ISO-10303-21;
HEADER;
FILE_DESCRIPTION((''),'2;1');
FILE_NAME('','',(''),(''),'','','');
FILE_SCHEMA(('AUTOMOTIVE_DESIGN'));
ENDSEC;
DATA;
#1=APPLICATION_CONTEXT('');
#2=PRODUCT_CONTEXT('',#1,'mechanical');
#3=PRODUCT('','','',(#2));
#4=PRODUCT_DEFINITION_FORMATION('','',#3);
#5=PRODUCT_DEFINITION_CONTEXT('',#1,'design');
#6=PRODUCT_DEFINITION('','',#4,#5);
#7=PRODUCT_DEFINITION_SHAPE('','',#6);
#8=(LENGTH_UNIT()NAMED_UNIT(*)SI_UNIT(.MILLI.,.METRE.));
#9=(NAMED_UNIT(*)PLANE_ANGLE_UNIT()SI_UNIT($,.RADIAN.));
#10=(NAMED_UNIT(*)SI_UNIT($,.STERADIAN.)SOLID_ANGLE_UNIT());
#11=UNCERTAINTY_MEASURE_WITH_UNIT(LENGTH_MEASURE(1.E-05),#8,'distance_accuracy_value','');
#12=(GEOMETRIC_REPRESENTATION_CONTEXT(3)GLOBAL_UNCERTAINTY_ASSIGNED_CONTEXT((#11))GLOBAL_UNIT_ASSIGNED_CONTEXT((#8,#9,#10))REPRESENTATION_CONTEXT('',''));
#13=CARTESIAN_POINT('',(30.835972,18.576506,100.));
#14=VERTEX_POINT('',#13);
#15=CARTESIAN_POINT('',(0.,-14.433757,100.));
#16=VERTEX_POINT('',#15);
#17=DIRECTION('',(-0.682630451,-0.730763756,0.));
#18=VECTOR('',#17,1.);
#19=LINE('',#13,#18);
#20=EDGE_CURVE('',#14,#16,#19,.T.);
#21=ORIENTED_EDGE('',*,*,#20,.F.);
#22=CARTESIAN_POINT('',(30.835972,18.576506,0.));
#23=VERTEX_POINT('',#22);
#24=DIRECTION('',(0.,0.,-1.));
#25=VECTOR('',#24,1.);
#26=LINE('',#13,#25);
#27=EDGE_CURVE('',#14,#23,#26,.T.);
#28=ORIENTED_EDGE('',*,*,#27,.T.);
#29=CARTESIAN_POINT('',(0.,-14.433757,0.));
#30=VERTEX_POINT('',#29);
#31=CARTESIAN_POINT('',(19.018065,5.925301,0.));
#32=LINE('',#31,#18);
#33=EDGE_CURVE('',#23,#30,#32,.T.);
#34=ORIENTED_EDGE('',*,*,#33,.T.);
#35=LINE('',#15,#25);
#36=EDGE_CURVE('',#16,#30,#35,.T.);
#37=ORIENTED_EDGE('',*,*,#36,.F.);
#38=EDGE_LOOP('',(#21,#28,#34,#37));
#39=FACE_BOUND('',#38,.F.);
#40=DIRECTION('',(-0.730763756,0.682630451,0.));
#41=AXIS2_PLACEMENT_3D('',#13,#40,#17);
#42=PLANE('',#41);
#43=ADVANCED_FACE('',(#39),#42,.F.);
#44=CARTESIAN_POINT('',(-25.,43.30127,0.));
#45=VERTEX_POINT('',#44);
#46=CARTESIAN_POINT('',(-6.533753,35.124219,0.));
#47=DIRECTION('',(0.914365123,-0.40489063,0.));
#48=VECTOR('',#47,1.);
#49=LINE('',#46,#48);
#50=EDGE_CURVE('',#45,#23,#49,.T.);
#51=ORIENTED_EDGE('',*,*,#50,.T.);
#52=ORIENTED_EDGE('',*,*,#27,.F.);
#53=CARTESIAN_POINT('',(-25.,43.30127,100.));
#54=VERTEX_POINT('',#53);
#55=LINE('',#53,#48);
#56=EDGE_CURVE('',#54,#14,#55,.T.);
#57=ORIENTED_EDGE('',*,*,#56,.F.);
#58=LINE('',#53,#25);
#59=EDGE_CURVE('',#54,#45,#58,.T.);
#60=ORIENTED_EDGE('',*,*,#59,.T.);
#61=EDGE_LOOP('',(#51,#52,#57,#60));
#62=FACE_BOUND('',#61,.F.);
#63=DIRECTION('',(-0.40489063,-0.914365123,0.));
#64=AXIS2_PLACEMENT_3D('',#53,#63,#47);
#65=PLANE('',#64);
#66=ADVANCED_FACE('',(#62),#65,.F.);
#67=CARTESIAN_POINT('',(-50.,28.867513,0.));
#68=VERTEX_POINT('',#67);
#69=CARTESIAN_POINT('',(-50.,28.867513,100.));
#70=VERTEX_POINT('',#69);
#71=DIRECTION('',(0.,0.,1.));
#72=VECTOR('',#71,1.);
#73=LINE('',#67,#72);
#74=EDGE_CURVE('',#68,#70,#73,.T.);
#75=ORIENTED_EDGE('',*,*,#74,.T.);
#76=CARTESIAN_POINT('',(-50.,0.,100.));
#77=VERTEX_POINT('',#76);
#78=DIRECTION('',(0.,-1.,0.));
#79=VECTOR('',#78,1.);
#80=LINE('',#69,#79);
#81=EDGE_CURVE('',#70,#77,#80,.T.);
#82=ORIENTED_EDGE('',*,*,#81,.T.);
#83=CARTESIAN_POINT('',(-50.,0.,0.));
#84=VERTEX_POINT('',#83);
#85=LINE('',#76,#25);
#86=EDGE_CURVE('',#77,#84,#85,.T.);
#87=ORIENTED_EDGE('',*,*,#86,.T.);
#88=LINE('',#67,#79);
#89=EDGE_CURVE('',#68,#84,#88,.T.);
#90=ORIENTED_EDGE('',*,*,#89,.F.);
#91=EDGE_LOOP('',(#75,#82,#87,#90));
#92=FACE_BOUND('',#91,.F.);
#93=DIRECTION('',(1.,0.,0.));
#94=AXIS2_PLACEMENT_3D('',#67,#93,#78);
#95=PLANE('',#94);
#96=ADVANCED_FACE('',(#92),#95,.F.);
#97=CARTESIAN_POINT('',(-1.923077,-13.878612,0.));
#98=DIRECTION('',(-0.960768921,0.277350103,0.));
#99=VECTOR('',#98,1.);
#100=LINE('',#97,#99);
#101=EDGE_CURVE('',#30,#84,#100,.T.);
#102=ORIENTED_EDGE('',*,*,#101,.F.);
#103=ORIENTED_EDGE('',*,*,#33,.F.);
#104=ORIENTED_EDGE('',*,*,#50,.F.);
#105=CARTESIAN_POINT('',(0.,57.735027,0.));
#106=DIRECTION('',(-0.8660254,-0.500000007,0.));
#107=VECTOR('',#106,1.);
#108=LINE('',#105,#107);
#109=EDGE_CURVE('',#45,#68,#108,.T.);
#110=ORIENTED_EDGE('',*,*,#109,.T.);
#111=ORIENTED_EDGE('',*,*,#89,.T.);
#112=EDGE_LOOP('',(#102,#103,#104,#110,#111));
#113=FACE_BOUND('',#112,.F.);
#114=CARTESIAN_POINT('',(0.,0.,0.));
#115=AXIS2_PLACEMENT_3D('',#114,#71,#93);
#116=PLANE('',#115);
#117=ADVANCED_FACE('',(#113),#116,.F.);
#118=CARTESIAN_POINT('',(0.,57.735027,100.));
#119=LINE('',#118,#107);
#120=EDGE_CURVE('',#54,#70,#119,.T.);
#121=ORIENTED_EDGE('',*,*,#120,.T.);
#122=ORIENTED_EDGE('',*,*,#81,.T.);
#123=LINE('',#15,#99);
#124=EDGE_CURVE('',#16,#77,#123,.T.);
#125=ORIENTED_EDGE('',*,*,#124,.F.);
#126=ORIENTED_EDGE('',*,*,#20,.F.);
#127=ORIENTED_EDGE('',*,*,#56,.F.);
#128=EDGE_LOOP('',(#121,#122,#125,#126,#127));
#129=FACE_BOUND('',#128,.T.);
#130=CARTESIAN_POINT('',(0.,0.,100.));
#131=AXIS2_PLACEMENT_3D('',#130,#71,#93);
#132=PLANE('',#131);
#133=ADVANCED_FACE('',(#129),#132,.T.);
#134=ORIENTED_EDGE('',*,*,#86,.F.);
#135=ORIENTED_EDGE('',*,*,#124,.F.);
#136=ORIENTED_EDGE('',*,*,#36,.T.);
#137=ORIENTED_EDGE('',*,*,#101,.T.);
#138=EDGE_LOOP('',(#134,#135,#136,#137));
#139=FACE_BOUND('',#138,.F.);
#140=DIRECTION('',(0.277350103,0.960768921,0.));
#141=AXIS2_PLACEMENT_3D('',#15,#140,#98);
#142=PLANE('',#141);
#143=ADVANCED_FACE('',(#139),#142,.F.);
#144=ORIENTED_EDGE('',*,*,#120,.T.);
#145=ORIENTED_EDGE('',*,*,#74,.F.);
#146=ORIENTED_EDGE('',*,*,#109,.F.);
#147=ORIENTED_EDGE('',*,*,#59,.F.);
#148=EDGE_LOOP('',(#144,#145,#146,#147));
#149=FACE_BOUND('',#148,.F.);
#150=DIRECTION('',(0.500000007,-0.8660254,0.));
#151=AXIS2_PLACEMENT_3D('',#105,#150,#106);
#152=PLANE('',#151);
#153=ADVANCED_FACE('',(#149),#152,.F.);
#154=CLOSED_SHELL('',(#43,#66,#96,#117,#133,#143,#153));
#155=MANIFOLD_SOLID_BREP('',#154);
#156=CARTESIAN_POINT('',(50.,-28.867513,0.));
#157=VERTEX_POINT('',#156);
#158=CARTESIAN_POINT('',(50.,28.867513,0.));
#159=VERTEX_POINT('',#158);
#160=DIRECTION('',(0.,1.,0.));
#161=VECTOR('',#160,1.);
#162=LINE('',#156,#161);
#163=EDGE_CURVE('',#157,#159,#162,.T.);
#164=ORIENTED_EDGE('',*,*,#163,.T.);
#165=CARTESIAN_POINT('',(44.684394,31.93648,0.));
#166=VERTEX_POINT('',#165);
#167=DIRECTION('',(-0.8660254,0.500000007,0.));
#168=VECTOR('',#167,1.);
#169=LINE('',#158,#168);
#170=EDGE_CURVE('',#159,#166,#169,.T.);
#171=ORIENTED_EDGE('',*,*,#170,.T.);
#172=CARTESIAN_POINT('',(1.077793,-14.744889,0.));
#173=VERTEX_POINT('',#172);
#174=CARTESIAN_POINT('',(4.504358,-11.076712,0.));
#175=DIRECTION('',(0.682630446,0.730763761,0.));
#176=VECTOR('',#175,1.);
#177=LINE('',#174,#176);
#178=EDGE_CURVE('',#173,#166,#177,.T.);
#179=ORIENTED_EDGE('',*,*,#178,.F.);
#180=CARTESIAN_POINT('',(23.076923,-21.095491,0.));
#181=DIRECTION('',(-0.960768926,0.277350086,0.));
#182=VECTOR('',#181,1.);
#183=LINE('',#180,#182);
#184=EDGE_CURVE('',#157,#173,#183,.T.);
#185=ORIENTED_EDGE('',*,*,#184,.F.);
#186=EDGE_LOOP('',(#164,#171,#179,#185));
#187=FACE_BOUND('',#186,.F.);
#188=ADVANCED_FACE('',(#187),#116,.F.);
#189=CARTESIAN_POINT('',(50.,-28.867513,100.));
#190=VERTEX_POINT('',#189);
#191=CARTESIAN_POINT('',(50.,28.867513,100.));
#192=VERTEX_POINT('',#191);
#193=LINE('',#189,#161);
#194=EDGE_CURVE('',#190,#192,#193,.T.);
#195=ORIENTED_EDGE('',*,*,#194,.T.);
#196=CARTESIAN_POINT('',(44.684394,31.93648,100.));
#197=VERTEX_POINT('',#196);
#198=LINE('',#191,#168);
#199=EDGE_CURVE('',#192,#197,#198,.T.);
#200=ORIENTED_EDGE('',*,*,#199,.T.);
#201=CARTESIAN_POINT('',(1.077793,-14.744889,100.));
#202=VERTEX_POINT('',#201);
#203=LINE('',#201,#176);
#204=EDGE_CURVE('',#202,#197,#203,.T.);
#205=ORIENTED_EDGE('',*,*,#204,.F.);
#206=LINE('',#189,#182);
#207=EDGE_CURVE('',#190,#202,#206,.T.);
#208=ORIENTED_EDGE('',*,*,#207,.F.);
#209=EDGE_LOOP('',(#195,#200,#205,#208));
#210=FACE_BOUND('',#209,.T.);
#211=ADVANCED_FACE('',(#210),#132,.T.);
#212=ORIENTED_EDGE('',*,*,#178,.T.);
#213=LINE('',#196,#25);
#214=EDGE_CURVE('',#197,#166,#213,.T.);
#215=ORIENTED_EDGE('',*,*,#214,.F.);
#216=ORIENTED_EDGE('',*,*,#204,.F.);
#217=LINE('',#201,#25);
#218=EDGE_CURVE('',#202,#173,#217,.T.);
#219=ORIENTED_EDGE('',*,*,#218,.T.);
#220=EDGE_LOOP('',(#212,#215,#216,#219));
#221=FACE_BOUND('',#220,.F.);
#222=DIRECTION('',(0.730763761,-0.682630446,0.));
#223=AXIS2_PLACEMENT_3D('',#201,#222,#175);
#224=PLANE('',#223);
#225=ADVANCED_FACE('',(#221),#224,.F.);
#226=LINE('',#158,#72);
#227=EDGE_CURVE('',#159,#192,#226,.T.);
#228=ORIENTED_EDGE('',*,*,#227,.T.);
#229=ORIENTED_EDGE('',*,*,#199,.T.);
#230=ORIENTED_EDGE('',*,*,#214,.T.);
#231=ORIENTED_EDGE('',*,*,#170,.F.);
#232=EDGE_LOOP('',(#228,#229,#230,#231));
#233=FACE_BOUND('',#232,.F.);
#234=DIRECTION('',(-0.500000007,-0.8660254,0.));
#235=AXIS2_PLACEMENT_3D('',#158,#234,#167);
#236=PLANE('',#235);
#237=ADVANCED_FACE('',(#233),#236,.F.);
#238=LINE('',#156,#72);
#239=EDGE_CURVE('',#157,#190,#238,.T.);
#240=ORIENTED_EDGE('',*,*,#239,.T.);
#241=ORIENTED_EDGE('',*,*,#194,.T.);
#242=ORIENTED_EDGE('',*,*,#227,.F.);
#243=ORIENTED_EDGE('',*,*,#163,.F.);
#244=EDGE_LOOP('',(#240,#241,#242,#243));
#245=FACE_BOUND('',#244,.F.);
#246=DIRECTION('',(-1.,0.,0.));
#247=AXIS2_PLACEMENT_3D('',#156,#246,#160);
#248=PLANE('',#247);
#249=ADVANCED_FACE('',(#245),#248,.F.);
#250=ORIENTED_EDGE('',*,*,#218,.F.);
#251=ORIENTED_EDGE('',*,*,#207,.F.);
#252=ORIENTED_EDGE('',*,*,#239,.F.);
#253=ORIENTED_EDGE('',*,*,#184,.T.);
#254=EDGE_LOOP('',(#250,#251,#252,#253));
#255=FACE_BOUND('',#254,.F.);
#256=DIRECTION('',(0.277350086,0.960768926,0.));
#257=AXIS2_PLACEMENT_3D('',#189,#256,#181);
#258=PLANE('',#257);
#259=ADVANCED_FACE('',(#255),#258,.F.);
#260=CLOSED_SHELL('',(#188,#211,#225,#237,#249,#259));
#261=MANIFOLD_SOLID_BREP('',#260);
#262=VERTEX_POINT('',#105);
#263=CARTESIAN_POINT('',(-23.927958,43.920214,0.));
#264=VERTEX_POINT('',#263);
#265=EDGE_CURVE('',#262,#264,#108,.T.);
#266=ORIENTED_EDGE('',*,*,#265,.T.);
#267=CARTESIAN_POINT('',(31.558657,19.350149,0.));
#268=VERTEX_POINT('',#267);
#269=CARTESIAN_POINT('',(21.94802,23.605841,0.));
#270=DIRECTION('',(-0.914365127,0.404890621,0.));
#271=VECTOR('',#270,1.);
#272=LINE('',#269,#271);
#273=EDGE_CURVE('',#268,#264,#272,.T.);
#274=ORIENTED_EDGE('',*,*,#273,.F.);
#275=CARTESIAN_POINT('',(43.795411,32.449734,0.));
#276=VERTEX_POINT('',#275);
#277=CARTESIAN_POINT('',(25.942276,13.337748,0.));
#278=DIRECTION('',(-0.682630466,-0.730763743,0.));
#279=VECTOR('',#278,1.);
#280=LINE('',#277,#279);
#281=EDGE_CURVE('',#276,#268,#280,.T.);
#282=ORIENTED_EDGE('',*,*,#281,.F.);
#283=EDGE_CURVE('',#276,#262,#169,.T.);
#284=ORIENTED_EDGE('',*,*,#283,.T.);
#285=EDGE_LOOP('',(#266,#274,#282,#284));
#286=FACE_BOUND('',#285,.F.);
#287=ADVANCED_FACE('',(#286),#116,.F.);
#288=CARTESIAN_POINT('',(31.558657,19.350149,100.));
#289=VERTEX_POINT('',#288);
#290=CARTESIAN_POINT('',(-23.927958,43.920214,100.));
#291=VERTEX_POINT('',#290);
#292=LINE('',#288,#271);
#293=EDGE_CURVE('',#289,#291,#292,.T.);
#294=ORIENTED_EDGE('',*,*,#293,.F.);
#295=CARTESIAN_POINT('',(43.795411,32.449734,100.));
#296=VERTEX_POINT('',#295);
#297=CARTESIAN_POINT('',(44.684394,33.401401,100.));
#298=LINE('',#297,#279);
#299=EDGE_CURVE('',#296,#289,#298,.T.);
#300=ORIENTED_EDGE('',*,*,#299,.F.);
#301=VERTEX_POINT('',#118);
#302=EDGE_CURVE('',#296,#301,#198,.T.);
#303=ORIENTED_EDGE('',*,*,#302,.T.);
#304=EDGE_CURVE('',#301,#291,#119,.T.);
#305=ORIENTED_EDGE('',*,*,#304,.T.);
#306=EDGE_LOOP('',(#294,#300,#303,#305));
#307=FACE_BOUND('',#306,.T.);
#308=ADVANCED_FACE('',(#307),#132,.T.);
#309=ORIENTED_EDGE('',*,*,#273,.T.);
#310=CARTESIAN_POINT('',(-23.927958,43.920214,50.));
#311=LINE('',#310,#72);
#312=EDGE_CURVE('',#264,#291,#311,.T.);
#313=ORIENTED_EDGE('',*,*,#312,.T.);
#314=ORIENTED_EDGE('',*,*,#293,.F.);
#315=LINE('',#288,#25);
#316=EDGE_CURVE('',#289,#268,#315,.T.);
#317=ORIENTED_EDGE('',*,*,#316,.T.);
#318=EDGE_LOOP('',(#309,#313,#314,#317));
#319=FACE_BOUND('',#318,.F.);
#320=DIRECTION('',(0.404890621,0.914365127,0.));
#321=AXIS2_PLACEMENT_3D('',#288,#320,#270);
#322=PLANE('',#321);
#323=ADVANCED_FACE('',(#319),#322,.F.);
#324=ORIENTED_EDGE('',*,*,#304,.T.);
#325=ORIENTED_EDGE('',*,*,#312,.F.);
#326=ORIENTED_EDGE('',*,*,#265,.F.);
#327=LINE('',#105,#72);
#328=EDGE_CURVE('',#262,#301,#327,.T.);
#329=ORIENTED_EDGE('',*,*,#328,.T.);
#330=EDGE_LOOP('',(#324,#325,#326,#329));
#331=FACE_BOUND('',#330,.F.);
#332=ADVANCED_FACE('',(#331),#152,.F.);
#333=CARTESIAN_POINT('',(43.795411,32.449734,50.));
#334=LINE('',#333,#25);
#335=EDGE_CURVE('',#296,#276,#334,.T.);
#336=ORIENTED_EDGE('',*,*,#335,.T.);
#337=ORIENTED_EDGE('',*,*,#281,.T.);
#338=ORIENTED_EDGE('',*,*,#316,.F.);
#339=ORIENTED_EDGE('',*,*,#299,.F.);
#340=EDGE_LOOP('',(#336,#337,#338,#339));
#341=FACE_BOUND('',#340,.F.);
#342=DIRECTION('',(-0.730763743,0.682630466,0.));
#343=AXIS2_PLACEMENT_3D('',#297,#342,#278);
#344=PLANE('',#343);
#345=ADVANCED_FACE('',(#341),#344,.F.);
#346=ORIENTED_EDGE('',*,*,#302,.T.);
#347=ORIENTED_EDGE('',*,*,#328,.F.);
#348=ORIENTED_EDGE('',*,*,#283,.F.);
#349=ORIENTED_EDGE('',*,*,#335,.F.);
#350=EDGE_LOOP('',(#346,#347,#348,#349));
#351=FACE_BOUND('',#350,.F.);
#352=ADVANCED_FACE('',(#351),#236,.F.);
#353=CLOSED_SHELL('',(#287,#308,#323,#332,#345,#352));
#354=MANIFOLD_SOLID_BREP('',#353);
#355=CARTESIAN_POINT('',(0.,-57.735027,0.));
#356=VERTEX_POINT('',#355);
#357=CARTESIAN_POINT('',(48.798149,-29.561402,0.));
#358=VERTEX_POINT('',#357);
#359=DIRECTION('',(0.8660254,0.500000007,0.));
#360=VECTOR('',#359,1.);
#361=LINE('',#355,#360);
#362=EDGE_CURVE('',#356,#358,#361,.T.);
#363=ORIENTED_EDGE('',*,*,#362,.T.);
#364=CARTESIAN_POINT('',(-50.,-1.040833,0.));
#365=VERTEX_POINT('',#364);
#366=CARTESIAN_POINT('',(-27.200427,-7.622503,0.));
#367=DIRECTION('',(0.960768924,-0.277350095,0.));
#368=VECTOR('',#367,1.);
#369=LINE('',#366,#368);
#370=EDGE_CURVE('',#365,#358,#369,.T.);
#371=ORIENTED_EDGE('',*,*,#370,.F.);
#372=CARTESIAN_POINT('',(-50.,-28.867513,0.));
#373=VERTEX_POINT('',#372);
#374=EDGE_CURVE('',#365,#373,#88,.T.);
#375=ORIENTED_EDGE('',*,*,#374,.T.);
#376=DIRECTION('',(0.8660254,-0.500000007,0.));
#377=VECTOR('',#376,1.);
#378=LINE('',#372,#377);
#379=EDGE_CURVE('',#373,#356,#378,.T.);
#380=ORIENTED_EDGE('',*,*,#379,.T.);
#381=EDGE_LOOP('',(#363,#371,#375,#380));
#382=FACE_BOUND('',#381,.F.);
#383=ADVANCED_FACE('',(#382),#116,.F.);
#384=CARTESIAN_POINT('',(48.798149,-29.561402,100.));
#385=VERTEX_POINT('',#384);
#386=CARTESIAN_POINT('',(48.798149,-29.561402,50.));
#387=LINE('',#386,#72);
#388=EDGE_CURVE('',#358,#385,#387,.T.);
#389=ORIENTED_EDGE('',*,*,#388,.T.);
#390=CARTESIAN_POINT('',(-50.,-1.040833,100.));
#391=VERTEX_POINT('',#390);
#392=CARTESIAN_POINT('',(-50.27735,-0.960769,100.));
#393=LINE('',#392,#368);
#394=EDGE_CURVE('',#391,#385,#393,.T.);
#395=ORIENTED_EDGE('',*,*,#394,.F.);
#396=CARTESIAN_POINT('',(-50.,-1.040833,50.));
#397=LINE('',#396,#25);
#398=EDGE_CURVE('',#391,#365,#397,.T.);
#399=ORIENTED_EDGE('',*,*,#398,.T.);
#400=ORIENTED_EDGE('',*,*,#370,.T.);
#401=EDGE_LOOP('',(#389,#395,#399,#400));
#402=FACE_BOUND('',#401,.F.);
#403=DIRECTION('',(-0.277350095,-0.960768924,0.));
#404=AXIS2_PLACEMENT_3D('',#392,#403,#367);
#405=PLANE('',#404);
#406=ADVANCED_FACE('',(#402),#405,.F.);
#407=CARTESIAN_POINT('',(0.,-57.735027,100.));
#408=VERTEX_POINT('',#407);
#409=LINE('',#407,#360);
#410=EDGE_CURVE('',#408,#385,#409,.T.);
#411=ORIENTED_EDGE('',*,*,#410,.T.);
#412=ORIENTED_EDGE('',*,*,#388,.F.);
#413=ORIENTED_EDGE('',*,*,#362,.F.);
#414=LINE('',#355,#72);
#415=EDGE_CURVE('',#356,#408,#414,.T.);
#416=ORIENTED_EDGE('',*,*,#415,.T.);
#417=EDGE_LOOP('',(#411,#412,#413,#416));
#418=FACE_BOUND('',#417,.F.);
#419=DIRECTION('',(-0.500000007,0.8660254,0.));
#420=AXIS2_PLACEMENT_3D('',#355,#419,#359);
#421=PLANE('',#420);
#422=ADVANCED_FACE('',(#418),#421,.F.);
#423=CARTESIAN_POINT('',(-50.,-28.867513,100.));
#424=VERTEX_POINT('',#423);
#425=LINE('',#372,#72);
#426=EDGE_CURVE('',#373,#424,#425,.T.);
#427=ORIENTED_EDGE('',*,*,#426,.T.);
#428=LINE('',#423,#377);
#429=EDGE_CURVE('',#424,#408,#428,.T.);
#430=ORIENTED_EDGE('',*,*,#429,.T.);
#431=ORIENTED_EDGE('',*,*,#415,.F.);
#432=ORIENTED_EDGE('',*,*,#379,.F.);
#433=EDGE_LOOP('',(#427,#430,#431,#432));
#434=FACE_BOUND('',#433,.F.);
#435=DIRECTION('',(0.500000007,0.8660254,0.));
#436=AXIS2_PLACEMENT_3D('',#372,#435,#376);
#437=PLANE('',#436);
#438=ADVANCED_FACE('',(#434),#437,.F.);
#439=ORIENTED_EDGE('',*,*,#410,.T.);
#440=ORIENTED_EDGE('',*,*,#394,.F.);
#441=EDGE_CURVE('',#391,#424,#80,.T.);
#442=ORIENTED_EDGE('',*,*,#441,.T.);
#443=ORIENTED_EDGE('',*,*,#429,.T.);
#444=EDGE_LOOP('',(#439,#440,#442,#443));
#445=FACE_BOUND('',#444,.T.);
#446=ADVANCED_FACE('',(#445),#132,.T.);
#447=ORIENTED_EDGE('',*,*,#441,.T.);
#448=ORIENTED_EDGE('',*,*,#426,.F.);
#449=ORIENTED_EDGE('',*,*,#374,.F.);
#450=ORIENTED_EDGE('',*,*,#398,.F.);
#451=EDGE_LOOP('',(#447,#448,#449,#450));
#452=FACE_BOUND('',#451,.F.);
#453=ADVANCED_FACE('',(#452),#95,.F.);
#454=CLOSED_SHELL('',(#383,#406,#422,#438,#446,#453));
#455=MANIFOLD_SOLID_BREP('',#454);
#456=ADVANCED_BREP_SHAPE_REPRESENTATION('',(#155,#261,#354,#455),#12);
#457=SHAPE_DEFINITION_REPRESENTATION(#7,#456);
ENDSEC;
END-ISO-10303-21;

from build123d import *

# Parameters (mm, degrees)
F1_DEPTH = 100
F3_DEPTH = 110.7


with BuildPart() as f1:
    # F0 (on Top) → F1 (new body)
    with BuildSketch(Plane.XY):
        Polygon((-50, 28.867513), (-50, -28.867513), (0, -57.735027), (50, -28.867513), (50, 28.867513), (0, 57.735027), align=None)
    extrude(amount=F1_DEPTH)

    # F2 (on face) → F3 (cut)
    with BuildSketch(Plane.XY.offset(100)):
        Polygon((0, -14.433757), (-50, 0), (-50.27735, -0.960769), (55.484632, -31.491623), (50, -28.867513), (1.077793, -14.744889), align=None)
        Polygon((30.835972, 18.576506), (0, -14.433757), (1.077793, -14.744889), (44.684394, 31.93648), (44.684394, 33.401401), (31.558657, 19.350149), align=None)
        Polygon((-25, 43.30127), (30.835972, 18.576506), (31.558657, 19.350149), (-34.997456, 48.821905), align=None)
    extrude(amount=-F3_DEPTH, mode=Mode.SUBTRACT)


solid = f1.part
